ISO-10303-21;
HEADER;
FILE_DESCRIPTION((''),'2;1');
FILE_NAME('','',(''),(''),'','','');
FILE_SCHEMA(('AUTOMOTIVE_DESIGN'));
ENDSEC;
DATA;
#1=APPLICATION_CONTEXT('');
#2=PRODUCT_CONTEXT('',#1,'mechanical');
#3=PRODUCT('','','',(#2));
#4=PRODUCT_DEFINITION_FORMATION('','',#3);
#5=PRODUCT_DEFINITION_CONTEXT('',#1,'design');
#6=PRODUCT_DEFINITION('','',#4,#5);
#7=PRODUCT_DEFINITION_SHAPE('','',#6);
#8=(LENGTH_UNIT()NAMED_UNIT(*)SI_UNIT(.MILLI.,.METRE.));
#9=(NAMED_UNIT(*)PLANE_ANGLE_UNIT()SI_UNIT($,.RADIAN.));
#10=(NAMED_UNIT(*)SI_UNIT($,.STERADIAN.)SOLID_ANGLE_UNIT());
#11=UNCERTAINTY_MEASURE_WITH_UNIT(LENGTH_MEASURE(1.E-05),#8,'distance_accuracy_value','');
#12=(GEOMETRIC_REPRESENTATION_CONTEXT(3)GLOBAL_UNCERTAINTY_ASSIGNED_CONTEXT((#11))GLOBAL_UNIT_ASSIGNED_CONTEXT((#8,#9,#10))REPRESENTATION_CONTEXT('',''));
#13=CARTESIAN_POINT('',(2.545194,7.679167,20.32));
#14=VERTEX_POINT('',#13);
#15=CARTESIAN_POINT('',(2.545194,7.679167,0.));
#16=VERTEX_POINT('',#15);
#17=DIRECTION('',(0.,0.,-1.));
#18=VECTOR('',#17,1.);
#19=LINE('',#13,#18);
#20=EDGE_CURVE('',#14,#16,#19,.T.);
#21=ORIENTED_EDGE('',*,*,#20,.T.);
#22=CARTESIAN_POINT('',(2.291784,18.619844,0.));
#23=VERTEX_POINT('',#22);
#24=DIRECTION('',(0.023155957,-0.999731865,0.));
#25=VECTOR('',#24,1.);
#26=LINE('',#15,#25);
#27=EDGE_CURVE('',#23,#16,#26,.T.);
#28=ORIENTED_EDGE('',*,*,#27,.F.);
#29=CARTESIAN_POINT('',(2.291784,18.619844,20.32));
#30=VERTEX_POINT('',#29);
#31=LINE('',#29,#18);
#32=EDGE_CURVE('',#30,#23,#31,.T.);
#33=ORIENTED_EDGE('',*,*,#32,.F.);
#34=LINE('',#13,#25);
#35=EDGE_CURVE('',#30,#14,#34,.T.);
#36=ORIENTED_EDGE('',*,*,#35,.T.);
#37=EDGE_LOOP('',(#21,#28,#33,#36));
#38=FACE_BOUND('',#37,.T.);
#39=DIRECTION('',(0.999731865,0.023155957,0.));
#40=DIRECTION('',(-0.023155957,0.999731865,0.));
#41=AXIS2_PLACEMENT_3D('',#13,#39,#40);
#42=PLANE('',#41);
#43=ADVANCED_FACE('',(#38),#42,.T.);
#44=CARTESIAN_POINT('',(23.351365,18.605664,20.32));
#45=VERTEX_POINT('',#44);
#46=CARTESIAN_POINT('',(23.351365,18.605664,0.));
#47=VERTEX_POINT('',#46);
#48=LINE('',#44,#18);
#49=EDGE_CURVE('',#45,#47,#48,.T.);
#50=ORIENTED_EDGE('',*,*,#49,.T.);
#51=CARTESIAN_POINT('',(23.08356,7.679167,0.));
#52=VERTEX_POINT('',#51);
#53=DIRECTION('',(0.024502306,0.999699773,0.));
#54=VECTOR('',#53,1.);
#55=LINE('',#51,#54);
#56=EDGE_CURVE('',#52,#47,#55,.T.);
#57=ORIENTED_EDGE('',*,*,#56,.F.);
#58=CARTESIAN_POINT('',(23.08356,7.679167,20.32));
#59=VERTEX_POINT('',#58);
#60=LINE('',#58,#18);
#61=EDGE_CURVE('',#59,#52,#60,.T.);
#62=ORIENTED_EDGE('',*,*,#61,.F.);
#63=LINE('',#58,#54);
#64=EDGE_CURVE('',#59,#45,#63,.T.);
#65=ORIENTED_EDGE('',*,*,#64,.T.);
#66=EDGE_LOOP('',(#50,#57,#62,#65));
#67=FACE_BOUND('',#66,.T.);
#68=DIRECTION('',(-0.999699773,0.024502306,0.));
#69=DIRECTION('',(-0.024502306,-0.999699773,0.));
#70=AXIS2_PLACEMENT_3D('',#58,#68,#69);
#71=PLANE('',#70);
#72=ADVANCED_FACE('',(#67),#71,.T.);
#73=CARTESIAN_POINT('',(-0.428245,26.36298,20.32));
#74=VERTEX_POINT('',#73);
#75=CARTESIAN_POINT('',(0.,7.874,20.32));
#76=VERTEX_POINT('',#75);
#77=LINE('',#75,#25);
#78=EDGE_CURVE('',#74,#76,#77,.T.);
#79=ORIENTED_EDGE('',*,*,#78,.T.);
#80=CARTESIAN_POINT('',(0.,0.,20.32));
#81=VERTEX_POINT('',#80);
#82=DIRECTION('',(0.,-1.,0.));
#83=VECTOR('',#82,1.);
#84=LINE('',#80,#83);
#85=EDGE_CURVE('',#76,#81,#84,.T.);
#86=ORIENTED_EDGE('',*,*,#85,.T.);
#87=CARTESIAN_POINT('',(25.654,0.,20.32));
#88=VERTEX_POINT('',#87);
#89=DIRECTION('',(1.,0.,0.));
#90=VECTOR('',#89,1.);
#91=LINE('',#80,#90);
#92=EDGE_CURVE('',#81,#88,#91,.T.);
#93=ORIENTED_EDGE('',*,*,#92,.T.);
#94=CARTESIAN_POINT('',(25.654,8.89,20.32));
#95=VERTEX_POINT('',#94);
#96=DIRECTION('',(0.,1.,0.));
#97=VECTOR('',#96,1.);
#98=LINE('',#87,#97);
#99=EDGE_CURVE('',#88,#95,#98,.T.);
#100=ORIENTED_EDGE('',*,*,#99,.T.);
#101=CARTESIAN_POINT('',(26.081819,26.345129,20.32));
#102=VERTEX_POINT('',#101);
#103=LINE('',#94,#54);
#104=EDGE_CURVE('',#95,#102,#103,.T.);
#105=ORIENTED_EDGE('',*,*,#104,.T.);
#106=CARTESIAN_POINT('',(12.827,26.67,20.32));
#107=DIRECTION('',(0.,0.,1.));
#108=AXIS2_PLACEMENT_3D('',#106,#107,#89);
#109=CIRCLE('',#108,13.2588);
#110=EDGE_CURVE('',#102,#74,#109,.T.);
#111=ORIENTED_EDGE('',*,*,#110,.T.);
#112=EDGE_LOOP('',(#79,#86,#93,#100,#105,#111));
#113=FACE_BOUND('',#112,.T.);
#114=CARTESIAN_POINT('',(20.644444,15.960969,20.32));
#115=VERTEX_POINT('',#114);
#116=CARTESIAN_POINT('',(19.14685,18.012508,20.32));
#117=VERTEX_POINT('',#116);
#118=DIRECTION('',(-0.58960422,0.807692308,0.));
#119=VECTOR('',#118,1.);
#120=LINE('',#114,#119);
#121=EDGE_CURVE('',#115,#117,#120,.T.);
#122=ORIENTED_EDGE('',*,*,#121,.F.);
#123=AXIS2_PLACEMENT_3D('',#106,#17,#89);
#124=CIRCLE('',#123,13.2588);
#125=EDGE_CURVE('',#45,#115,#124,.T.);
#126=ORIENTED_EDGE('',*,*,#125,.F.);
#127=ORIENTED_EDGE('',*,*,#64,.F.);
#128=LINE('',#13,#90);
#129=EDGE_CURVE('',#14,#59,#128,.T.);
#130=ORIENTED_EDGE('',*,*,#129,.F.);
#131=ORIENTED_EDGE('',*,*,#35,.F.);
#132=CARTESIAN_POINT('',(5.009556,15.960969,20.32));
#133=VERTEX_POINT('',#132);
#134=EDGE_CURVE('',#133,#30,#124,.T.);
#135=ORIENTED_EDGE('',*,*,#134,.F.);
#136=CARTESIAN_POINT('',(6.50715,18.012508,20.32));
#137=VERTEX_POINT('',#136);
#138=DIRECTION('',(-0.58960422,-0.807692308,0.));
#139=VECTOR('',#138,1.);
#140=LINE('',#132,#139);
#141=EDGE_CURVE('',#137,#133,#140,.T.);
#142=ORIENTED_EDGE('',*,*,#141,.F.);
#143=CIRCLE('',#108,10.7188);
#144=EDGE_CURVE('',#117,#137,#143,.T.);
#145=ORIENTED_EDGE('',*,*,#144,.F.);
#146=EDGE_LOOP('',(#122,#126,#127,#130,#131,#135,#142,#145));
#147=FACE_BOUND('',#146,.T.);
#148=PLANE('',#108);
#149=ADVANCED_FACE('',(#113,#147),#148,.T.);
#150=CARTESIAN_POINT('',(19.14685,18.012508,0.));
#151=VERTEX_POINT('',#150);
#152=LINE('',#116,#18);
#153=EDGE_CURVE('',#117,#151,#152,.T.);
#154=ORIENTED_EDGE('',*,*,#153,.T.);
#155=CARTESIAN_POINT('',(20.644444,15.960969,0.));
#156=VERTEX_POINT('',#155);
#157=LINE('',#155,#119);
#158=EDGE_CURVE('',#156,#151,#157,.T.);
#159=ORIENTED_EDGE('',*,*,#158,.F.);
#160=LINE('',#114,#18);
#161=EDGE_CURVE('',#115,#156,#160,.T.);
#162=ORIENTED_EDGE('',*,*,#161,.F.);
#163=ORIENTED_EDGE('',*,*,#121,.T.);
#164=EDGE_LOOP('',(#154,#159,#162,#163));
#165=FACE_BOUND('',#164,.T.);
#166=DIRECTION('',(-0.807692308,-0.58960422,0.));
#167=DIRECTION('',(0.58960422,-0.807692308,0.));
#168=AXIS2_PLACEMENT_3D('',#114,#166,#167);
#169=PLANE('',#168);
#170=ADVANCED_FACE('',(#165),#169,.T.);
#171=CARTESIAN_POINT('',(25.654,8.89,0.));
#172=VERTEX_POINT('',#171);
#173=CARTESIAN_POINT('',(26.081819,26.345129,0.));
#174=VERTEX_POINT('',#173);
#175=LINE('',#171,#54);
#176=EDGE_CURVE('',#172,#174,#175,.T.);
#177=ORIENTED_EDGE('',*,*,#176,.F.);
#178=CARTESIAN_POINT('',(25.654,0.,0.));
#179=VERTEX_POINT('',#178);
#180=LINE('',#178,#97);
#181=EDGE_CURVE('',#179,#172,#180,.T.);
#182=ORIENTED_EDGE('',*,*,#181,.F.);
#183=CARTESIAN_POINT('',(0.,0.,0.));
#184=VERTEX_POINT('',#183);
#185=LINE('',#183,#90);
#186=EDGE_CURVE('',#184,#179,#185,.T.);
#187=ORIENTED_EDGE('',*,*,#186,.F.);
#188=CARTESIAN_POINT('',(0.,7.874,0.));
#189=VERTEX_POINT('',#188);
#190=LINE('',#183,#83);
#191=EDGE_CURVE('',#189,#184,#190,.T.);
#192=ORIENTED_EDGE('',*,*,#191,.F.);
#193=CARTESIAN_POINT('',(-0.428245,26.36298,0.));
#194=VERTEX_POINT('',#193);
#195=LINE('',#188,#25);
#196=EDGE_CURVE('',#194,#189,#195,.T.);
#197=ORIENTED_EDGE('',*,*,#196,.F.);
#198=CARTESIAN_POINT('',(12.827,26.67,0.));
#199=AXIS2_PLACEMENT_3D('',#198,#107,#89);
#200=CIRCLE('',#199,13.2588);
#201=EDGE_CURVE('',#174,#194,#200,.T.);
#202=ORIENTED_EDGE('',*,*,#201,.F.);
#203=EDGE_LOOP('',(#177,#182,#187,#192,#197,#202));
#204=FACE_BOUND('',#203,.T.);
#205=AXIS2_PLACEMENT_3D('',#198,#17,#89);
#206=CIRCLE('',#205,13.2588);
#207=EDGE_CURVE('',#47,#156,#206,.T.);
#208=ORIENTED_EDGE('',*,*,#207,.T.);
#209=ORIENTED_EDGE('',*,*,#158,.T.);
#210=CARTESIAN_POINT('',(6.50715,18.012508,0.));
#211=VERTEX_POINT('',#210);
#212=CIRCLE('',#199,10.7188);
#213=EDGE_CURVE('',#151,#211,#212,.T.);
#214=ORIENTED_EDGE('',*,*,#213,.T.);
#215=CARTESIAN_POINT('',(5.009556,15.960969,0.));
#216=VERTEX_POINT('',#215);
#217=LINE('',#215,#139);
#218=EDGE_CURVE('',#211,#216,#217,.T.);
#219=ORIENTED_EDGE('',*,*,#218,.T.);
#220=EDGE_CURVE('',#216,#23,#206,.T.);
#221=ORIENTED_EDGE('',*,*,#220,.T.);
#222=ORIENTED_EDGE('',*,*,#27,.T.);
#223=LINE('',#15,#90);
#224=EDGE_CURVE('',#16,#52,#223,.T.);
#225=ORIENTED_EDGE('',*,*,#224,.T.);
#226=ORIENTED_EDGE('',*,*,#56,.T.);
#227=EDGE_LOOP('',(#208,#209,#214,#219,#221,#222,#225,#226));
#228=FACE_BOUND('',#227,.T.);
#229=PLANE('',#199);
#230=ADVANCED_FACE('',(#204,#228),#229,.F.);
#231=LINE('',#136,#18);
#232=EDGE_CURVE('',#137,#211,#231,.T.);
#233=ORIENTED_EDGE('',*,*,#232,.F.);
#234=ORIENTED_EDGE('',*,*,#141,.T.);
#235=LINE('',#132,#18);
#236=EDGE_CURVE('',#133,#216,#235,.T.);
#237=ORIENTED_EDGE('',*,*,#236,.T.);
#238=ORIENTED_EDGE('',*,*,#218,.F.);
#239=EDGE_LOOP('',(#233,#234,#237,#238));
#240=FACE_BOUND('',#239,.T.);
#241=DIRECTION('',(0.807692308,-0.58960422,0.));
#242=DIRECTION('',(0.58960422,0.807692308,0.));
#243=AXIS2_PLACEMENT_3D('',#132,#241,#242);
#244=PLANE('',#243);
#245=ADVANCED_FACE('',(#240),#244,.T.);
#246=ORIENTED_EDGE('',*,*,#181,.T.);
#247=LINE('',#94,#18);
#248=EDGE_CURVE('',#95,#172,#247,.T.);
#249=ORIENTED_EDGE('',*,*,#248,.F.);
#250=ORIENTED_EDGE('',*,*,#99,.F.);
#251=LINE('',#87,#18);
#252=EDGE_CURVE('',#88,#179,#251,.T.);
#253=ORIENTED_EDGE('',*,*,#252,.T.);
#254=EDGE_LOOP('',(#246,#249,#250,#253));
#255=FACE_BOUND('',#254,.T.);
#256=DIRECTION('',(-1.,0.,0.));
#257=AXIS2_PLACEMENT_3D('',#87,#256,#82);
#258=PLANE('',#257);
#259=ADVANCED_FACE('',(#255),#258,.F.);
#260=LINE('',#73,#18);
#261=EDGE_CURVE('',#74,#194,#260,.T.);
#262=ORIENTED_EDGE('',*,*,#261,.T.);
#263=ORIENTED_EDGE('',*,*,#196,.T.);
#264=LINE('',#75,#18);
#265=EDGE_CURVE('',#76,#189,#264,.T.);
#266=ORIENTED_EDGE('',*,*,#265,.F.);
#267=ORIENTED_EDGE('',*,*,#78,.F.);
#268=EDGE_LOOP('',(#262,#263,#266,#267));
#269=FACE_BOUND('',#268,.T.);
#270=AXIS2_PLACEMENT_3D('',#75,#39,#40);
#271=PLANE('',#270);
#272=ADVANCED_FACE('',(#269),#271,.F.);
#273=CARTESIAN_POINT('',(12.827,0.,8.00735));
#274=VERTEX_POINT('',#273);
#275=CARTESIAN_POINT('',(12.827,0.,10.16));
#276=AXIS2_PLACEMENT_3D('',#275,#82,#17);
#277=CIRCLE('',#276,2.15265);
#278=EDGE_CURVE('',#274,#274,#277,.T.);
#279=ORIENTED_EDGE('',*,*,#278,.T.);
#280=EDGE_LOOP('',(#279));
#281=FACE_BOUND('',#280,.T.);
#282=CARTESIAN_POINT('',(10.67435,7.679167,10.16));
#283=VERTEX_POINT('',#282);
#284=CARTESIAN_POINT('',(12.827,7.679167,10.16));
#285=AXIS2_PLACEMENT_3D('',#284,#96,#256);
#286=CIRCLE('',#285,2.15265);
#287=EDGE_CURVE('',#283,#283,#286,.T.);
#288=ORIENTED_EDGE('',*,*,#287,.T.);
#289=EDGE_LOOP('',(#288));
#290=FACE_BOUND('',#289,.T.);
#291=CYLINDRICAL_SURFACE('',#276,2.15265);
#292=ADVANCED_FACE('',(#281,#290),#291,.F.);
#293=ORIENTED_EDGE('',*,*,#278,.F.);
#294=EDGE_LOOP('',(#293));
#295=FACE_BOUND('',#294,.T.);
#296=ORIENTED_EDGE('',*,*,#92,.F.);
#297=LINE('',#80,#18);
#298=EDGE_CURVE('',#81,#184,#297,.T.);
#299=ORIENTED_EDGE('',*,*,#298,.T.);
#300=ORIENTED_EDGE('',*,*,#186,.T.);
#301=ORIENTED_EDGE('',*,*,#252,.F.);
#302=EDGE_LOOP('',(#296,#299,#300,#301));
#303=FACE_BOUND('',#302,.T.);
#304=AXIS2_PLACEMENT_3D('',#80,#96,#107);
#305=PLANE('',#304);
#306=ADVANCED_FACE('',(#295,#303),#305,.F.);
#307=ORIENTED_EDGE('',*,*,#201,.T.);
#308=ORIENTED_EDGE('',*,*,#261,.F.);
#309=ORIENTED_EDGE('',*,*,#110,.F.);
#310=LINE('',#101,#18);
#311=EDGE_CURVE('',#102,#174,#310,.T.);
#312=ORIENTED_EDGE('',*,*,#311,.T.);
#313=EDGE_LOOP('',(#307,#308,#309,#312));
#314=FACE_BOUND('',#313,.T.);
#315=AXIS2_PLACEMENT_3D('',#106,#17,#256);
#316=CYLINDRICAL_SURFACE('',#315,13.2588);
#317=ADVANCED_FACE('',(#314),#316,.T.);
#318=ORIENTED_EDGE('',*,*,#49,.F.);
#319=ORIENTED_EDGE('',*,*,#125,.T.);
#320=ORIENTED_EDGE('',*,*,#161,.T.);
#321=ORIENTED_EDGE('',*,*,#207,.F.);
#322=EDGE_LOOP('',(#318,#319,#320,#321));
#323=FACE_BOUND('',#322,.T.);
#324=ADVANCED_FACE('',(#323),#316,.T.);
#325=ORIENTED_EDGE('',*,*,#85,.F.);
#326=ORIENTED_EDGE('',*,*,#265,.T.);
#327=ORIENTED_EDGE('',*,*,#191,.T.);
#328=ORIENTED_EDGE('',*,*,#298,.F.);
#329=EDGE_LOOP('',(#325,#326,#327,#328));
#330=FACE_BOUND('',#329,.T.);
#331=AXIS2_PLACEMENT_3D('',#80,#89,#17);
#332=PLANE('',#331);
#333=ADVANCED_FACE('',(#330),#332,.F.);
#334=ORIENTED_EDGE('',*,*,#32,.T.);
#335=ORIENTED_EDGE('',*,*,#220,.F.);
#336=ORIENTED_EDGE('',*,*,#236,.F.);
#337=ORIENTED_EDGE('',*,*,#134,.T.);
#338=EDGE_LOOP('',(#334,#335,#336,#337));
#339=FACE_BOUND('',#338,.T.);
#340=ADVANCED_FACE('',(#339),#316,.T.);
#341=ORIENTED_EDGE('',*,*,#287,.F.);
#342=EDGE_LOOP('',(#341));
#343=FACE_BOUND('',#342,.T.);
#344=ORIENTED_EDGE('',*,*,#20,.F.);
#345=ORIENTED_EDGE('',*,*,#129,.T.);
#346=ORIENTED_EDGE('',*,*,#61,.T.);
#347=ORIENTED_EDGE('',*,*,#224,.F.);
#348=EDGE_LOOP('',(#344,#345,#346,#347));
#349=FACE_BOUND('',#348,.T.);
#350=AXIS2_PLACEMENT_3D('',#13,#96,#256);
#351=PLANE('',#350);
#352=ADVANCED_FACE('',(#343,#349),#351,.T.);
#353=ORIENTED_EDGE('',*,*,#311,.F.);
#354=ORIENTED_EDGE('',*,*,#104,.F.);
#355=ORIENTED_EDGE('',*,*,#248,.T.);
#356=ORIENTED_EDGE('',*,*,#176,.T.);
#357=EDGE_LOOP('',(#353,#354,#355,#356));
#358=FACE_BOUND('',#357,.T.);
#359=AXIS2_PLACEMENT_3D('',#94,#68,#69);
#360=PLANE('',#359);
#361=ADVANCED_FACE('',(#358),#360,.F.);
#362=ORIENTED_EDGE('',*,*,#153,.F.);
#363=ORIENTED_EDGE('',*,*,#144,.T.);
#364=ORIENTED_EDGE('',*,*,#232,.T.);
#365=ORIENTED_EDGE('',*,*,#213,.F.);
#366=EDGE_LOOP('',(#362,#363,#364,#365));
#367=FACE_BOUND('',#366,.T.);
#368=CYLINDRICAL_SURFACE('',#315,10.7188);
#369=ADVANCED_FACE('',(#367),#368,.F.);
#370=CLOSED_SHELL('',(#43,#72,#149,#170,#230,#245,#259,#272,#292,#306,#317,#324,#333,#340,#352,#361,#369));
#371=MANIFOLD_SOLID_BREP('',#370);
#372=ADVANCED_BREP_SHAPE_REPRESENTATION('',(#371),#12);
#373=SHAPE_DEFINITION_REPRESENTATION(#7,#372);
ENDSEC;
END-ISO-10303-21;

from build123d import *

# Parameters (mm, degrees)
BOSS_EXTRUDE1_DEPTH       = 20.32
F_8_CLEARANCE_HOLE1_D     = 4.3053
F_8_CLEARANCE_HOLE1_DEPTH = 7.679166788


with BuildPart() as part:
    # Sketch1 → Boss-Extrude1 (new body)
    with BuildSketch(Plane.XY):
        with BuildLine():
            Line((0, 0), (25.654, 0))
            Line((25.654, 0), (25.654, 8.89))
            Line((25.654, 8.89), (26.081819356, 26.345128821))
            ThreePointArc((26.081819356, 26.345128821), (12.835928023, 39.928796994), (-0.42824485, 26.362979796))
            Line((-0.42824485, 26.362979796), (0, 7.874))
            Line((0, 7.874), (0, 0))
        make_face()
        with BuildLine():
            Line((2.545194005, 7.679166788), (23.083560079, 7.679166788))
            Line((23.083560079, 7.679166788), (23.351364853, 18.605663581))
            ThreePointArc((23.351364853, 18.605663581), (22.092748432, 17.18624107), (20.64444443, 15.960969231))
            Line((20.64444443, 15.960969231), (19.146849712, 18.012507692))
            ThreePointArc((19.146849712, 18.012507692), (12.827, 37.3888), (6.507150288, 18.012507692))
            Line((6.507150288, 18.012507692), (5.00955557, 15.960969231))
            ThreePointArc((5.00955557, 15.960969231), (3.55486763, 17.192482458), (2.291784196, 18.619844386))
            Line((2.291784196, 18.619844386), (2.545194005, 7.679166788))
        make_face(mode=Mode.SUBTRACT)
    extrude(amount=BOSS_EXTRUDE1_DEPTH)

    # #8 Clearance Hole1
    with Locations(Plane(origin=(0, 0, 0), x_dir=(-1, 0, 0), z_dir=(0, -1, 0))):
        with Locations((-12.827, -10.16)):
            Hole(F_8_CLEARANCE_HOLE1_D / 2, depth=F_8_CLEARANCE_HOLE1_DEPTH)


solid = part.part
